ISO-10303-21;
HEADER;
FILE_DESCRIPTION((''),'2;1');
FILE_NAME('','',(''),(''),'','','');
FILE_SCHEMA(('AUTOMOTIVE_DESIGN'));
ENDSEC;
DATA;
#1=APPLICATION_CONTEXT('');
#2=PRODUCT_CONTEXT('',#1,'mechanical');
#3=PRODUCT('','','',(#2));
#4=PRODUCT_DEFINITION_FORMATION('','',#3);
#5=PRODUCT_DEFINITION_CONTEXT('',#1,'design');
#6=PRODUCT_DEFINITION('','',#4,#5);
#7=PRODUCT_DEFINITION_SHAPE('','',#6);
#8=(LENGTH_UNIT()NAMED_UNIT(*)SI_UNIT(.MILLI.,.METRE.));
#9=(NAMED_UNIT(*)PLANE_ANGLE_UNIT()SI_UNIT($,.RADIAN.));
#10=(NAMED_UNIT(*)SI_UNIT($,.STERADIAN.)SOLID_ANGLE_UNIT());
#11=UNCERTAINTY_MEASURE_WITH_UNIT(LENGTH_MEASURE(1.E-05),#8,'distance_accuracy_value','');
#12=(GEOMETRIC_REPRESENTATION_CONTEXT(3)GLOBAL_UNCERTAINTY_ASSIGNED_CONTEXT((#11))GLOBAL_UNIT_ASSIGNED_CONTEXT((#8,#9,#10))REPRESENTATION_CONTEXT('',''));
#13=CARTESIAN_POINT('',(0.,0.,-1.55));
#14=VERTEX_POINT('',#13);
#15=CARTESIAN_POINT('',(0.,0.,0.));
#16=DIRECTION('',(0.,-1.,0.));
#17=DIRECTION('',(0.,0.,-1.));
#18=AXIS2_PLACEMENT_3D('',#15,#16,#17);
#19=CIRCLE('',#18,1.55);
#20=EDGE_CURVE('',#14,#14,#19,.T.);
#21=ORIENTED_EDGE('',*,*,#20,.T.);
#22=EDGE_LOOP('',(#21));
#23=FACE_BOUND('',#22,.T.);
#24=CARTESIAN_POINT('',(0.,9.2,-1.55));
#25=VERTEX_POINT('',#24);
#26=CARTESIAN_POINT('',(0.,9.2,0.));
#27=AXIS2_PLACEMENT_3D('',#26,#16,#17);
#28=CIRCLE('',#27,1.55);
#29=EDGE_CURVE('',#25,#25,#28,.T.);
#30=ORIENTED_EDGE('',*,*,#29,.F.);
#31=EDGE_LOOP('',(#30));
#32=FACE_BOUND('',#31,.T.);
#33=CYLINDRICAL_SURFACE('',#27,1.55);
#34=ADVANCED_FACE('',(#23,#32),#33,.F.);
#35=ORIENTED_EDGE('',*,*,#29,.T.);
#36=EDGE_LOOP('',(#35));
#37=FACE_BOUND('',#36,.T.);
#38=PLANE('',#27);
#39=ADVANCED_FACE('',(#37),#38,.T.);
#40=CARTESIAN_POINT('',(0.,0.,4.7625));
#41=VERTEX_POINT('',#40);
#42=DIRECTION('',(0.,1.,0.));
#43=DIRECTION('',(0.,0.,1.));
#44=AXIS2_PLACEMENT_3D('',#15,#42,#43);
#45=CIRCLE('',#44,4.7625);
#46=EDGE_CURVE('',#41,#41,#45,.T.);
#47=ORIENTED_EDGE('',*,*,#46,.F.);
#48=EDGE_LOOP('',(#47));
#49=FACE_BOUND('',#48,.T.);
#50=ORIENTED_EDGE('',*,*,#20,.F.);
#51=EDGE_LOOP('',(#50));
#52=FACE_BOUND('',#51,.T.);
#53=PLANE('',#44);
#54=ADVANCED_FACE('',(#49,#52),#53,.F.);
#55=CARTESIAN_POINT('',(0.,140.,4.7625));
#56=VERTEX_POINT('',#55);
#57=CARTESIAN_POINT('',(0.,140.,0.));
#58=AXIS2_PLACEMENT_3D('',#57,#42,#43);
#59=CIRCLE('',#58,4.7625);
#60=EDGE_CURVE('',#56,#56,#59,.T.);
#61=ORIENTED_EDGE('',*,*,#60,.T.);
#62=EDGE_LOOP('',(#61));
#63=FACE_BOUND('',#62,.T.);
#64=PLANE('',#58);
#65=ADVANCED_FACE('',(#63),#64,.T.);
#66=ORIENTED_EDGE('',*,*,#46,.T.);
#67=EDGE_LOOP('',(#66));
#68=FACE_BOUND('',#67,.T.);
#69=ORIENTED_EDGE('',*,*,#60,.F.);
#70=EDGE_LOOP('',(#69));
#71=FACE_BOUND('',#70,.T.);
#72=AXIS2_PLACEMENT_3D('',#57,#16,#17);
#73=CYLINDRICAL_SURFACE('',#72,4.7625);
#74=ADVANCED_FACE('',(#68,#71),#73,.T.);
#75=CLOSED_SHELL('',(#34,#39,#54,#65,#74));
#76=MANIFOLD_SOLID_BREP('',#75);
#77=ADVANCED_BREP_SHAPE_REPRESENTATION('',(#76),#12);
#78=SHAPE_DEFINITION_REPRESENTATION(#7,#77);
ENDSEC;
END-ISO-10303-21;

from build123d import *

# Parameters (mm, degrees)
SKETCH1_R           = 4.7625
BOSS_EXTRUDE1_DEPTH = 140
SKETCH9_R           = 1.55
CUT_EXTRUDE1_DEPTH  = 9.2


with BuildPart() as part:
    # Sketch1 → Boss-Extrude1 (new body)
    with BuildSketch(Plane(origin=(0, 0, 0), x_dir=(1, 0, 0), z_dir=(0, 1, 0))):
        with Locations(Location((0, 0, 0), (0, 0, 270))):
            Circle(SKETCH1_R)
    extrude(amount=BOSS_EXTRUDE1_DEPTH)

    # Sketch9 → Cut-Extrude1 (cut)
    with BuildSketch(Plane.XZ):
        with Locations(Location((0, 0, 0), (0, 0, 270))):
            Circle(SKETCH9_R)
    extrude(amount=-CUT_EXTRUDE1_DEPTH, mode=Mode.SUBTRACT)


solid = part.part
